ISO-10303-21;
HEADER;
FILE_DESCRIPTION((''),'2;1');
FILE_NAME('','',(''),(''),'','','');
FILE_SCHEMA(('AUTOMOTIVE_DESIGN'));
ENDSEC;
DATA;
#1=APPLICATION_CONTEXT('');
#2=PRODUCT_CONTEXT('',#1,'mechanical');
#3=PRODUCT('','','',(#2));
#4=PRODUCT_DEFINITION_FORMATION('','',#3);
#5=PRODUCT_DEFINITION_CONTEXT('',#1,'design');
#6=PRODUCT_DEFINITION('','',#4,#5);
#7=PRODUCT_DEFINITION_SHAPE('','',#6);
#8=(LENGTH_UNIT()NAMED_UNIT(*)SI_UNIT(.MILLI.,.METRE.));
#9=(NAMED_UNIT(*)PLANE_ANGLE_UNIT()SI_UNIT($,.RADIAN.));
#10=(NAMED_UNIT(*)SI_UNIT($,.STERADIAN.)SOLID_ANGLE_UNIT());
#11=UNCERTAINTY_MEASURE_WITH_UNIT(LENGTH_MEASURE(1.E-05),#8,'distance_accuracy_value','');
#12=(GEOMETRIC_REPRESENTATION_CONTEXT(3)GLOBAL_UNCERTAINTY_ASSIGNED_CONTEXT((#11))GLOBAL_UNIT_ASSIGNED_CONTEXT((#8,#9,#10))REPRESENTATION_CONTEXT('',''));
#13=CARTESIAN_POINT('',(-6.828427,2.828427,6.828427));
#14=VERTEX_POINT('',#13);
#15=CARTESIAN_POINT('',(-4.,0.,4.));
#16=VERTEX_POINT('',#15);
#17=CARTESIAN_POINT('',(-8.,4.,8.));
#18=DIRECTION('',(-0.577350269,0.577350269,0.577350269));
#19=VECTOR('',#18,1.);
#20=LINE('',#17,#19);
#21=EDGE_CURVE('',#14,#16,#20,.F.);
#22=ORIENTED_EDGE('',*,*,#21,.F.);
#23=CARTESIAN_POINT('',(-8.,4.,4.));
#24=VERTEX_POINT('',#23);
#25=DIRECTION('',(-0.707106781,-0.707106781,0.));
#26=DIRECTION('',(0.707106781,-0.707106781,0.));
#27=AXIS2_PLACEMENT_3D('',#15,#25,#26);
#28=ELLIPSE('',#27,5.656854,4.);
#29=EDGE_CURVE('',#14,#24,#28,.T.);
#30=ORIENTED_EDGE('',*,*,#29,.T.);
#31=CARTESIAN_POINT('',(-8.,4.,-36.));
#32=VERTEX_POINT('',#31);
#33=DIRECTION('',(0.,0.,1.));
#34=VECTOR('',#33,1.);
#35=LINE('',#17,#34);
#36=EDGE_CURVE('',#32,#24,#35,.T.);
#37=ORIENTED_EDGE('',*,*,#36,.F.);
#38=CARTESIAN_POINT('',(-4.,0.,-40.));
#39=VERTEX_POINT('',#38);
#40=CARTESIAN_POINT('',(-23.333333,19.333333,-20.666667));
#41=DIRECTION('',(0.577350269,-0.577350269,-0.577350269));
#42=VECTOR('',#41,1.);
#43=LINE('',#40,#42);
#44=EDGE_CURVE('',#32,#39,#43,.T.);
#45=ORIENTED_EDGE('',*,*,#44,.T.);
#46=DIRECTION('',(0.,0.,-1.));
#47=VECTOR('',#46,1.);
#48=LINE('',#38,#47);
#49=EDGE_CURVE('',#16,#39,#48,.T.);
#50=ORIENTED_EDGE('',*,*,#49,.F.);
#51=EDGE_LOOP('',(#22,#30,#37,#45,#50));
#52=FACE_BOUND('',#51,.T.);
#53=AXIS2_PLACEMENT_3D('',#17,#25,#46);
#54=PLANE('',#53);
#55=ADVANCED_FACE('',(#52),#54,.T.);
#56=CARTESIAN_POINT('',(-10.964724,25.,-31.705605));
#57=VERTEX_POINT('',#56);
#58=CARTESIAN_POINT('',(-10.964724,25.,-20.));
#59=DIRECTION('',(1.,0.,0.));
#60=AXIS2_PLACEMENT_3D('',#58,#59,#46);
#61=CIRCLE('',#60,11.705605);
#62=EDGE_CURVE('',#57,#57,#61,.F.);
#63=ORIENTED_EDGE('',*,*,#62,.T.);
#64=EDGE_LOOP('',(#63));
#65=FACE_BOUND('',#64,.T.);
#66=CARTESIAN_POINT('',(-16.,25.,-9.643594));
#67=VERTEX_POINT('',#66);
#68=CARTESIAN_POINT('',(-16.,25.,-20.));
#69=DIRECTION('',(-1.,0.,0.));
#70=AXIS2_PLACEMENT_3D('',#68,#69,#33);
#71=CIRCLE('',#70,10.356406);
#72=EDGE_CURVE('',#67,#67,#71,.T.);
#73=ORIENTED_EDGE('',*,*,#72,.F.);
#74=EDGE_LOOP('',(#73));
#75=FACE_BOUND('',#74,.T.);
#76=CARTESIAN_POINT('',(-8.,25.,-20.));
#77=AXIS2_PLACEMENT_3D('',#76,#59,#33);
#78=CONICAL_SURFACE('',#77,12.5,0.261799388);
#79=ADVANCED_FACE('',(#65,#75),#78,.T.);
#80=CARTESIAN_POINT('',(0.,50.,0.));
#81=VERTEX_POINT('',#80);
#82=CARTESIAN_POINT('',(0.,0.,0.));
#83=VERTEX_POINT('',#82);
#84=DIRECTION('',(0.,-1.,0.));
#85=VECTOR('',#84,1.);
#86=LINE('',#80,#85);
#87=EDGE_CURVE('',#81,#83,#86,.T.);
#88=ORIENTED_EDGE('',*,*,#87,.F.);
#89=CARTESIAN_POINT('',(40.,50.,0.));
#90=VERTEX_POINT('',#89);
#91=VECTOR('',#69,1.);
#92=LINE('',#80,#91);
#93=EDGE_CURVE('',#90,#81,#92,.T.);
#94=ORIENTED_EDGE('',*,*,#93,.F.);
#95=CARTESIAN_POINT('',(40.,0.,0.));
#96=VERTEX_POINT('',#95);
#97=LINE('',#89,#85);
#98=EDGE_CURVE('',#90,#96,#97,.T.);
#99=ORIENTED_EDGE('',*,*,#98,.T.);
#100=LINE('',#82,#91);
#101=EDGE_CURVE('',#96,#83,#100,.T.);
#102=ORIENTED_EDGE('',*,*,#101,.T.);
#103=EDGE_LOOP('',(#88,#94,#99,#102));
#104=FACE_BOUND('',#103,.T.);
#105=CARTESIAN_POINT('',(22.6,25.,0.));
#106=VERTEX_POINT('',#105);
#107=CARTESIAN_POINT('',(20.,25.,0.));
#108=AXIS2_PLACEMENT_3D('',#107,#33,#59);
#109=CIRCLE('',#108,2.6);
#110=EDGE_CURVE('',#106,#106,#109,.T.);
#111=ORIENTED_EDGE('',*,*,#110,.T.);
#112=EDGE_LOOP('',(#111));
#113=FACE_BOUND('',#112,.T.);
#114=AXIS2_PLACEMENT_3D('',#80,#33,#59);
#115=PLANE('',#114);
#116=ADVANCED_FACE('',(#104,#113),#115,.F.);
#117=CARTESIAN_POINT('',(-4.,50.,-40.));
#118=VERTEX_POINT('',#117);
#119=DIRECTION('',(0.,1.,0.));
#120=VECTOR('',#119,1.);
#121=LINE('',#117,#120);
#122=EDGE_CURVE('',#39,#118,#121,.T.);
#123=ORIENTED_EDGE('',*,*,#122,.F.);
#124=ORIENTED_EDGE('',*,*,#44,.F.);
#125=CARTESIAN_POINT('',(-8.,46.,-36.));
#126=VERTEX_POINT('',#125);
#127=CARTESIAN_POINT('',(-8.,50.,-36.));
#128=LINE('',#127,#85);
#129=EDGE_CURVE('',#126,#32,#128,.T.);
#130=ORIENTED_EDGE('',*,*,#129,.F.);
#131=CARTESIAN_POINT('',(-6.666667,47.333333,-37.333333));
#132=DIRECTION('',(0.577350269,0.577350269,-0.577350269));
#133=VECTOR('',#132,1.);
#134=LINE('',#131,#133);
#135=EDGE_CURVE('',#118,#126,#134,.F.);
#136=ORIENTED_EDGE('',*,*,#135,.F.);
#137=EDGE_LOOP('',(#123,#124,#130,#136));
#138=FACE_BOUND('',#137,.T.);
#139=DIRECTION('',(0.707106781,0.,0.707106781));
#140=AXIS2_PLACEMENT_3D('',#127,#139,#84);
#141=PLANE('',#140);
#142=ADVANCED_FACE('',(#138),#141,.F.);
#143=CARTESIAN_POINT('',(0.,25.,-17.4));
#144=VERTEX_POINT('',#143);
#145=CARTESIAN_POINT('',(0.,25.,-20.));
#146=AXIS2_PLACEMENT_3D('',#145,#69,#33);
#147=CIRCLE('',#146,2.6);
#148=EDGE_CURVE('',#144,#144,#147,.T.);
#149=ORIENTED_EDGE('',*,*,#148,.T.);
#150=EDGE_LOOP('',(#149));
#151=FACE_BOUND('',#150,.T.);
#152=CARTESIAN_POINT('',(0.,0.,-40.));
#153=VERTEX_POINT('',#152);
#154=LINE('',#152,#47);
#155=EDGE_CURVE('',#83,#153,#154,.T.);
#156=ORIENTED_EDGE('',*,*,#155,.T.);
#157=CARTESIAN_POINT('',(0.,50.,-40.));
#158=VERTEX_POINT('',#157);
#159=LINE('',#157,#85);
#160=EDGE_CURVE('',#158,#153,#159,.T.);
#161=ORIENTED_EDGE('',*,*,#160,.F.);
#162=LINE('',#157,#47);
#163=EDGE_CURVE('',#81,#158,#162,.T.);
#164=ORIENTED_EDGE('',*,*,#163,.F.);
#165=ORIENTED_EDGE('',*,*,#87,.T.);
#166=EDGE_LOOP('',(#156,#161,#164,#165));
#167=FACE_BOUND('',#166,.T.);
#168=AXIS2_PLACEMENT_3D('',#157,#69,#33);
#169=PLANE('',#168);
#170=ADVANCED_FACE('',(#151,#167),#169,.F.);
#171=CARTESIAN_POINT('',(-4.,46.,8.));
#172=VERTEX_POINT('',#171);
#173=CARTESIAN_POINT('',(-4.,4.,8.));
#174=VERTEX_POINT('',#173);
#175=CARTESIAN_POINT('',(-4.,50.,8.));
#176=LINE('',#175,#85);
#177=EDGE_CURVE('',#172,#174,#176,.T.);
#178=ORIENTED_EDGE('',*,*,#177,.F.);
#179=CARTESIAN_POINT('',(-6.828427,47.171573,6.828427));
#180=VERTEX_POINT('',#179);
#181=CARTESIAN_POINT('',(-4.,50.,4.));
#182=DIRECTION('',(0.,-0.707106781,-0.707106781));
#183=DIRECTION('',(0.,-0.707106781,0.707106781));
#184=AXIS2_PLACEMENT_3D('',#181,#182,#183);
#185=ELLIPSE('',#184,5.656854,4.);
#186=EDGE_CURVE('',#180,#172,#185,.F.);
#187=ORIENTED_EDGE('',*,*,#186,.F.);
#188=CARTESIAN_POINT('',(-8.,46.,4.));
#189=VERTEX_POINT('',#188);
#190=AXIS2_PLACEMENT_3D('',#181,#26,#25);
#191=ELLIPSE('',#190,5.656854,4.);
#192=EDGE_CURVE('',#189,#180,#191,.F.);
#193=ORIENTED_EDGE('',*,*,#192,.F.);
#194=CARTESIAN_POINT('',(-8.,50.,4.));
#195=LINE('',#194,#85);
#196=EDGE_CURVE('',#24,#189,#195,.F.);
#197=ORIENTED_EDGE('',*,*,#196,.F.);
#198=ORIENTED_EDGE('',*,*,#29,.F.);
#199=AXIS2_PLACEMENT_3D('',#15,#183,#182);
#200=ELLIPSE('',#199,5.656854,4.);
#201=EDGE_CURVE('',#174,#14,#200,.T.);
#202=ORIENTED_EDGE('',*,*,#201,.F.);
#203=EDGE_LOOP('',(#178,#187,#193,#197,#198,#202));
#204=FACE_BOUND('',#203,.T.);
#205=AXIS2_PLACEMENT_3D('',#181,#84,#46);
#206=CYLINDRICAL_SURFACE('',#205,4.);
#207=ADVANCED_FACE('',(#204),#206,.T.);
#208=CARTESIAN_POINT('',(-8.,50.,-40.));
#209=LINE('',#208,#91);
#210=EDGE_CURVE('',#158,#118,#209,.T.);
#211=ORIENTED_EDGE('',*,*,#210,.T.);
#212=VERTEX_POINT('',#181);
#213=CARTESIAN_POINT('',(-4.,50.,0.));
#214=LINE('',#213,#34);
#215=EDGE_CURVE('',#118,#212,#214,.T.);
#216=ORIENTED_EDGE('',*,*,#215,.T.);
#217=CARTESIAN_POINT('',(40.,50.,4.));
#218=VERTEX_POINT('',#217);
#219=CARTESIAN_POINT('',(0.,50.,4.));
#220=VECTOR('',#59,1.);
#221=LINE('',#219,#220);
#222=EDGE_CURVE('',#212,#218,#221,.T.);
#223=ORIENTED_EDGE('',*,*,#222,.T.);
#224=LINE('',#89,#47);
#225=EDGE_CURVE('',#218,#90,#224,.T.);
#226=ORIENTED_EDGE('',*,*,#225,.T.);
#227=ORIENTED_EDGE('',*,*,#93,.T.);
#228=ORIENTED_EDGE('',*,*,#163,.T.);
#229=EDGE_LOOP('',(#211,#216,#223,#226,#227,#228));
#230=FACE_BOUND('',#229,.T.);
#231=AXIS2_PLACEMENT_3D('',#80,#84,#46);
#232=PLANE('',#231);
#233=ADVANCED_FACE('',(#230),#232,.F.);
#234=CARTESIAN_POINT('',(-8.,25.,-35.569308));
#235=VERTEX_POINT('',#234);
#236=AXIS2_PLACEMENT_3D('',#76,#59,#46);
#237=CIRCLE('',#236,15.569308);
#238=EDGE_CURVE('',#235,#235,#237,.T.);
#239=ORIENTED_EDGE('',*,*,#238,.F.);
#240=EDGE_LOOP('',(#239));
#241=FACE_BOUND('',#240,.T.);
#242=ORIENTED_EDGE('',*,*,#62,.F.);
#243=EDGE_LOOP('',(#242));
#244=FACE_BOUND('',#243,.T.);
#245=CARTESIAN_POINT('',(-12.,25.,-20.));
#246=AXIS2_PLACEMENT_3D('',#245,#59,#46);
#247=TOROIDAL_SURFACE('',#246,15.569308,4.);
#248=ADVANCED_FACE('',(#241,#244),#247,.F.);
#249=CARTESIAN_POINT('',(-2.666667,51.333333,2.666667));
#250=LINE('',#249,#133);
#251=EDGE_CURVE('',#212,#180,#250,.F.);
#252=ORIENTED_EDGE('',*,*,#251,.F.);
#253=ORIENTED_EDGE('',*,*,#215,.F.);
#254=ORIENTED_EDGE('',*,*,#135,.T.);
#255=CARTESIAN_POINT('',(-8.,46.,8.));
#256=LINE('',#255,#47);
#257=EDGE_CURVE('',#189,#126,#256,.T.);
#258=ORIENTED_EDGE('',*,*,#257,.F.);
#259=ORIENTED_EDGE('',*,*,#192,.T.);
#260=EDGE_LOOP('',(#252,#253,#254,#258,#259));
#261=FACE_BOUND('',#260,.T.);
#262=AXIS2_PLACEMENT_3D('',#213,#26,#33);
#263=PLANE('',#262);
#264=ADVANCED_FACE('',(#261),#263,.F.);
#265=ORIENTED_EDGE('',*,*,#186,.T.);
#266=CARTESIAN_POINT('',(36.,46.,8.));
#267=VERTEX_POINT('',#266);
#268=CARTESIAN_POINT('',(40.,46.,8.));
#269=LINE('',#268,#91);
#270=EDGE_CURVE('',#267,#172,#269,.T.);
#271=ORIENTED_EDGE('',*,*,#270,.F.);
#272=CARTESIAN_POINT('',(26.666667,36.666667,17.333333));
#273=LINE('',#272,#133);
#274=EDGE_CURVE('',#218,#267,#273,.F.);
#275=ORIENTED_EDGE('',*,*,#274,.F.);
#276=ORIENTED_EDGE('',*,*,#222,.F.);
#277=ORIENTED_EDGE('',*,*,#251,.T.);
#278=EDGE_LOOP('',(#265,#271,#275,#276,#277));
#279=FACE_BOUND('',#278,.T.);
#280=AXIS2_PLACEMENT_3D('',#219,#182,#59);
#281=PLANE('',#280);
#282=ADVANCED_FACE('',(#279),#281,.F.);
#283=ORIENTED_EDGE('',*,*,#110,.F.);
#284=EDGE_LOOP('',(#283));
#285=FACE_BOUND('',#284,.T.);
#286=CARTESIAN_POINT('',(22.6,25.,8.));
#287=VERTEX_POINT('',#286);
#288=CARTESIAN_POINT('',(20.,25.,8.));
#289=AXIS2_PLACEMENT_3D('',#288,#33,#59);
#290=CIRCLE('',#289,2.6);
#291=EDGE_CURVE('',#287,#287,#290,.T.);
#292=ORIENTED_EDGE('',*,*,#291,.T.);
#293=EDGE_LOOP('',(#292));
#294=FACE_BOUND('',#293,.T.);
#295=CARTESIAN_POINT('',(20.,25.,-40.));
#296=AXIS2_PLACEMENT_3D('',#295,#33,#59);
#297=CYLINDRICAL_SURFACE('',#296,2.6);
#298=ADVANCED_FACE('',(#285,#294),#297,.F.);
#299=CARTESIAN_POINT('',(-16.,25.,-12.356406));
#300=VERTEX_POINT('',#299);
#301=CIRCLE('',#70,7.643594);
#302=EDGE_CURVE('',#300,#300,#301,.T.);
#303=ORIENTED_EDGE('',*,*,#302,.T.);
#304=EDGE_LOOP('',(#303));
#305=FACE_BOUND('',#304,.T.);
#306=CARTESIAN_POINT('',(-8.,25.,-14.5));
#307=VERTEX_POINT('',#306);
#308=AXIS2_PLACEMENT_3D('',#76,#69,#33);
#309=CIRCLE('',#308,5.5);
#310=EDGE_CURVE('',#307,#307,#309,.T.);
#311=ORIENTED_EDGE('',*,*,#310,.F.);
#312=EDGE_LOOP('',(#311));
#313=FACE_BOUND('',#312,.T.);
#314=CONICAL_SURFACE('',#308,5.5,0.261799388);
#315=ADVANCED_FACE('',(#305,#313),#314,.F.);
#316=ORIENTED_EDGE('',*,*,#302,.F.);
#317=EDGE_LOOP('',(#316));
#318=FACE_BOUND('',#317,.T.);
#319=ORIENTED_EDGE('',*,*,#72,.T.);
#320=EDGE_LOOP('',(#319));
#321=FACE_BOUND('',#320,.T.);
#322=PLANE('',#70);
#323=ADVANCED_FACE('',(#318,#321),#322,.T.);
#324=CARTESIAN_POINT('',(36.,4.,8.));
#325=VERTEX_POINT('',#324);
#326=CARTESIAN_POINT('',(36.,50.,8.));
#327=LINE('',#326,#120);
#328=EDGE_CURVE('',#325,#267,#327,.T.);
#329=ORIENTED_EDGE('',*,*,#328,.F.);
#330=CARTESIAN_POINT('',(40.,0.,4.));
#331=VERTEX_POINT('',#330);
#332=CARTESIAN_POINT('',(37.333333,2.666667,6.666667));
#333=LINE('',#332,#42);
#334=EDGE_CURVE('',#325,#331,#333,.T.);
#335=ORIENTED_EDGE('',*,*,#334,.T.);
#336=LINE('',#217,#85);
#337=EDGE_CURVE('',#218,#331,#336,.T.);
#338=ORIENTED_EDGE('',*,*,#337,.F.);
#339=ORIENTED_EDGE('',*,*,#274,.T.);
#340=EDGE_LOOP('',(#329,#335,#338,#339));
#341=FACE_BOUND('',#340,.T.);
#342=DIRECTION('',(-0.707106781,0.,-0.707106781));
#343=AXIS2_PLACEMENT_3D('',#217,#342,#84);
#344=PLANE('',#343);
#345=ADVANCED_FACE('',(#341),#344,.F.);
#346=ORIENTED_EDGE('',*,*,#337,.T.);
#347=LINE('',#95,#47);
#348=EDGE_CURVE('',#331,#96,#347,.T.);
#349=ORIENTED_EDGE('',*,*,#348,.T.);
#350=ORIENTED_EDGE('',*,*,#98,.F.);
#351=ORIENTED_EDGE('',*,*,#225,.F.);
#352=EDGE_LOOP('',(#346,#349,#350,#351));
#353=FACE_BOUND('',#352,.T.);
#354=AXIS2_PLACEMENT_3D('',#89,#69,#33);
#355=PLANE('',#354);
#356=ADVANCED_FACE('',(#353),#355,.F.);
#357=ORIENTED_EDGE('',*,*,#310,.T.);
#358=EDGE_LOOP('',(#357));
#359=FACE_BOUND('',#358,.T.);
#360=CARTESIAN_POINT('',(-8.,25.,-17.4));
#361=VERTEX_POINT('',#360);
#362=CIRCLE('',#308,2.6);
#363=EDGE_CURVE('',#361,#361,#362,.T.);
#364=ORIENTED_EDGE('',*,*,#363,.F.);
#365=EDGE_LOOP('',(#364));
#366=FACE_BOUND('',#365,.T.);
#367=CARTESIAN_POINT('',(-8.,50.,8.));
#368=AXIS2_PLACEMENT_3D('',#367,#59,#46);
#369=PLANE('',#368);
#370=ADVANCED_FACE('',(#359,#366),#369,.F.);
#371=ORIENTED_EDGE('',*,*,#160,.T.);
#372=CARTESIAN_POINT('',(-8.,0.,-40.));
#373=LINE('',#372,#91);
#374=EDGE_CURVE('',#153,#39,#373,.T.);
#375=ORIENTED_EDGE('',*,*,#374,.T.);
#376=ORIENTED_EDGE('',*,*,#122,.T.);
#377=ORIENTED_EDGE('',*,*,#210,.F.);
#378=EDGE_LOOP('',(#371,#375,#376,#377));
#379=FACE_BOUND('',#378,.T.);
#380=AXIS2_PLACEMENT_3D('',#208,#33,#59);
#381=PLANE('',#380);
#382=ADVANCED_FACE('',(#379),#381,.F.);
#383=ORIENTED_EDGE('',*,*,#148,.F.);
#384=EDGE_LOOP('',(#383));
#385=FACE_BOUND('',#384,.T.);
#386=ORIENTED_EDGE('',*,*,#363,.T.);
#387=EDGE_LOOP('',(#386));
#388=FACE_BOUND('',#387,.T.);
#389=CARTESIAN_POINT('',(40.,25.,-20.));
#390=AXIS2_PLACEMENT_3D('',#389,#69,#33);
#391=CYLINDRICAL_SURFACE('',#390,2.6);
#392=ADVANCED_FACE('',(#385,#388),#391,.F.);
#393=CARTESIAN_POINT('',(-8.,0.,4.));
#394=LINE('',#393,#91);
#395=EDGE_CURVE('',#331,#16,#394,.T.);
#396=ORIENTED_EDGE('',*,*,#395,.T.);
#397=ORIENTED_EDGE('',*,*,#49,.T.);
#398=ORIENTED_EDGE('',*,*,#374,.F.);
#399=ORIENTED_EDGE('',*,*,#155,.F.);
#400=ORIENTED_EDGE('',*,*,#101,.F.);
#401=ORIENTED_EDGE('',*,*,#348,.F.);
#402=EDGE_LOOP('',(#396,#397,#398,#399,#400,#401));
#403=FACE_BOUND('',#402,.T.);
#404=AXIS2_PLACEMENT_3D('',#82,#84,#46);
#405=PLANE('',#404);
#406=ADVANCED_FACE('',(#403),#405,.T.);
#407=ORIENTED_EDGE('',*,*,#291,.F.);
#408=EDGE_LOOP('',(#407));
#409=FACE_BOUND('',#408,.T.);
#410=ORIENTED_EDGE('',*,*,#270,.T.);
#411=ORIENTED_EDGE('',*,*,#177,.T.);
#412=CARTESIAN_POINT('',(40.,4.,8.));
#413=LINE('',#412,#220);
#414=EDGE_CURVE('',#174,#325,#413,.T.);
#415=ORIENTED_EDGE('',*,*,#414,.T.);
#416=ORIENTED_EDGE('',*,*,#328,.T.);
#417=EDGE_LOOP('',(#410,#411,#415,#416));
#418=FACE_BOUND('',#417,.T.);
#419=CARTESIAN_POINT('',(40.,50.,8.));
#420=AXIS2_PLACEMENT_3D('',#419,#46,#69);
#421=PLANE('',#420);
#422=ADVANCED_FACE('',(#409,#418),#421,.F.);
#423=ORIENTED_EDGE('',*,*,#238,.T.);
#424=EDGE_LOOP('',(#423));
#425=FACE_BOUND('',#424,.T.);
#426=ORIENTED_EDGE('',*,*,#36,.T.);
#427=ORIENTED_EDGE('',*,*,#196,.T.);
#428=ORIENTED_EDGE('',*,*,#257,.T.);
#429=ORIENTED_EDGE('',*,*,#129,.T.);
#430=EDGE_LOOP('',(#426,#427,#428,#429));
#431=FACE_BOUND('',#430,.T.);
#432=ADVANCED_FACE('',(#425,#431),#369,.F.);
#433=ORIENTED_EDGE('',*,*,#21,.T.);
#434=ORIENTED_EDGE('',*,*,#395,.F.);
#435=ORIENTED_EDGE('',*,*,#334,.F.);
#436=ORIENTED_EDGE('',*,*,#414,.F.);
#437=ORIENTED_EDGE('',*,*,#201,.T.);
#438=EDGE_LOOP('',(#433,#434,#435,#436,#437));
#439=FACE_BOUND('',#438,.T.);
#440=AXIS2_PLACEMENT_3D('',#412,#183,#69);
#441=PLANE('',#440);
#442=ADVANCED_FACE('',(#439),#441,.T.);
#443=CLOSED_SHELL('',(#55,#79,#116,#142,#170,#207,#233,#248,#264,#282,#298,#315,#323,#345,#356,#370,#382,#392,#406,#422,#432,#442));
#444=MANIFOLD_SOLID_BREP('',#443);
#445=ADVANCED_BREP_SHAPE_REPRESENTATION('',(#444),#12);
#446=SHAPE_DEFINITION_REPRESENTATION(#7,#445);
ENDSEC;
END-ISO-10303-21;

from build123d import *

# Parameters (mm, degrees)
BOSS_EXTRUDE1_DEPTH = 50
SKETCH2_R           = 2.6
CUT_EXTRUDE1_DEPTH  = 81.024996095
SKETCH3_R           = 2.6
CUT_EXTRUDE2_DEPTH  = 81.024996095
SKETCH4_R           = 12.5
SKETCH4_R_2         = 5.5
BOSS_EXTRUDE2_DEPTH = 8
BOSS_EXTRUDE2_DRAFT = 15
FILLET1_R           = 4
CHAMFER1_SIZE       = 4
FILLET2_R           = 4


with BuildPart() as part:
    # Sketch1 → Boss-Extrude1 (new body)
    with BuildSketch(Plane(origin=(0, 0, 0), x_dir=(1, 0, 0), z_dir=(0, 1, 0))):
        Polygon((-8, 40), (0, 40), (0, 0), (40, 0), (40, -8), (-8, -8), align=None)
    extrude(amount=BOSS_EXTRUDE1_DEPTH)

    # Sketch2 → Cut-Extrude1 (cut, through all)
    with BuildSketch(Plane.ZY.offset(8)):
        with Locations((-20, 25)):
            Circle(SKETCH2_R)
    extrude(amount=-CUT_EXTRUDE1_DEPTH, mode=Mode.SUBTRACT)

    # Sketch3 → Cut-Extrude2 (cut, through all)
    with BuildSketch(Plane.XY.offset(8)):
        with Locations((20, 25)):
            Circle(SKETCH3_R)
    extrude(amount=-CUT_EXTRUDE2_DEPTH, mode=Mode.SUBTRACT)


with BuildPart() as boss_extrude2_tool:
    # Sketch4 → Boss-Extrude2 (with draft: the straight prism first)
    with BuildSketch(Plane.ZY.offset(8)):
        with Locations((-20, 25)):
            Circle(SKETCH4_R)
        with Locations((-20, 25)):
            Circle(SKETCH4_R_2, mode=Mode.SUBTRACT)
    extrude(amount=BOSS_EXTRUDE2_DEPTH)
    # Boss-Extrude2: the draft: its side faces are tilted about the plane it starts from
    boss_extrude2_sides = [boss_extrude2_tool.faces().sort_by_distance(p)[0] for p in [
        (-12, 25, -32.5),
        (-12, 25, -25.5),
    ]]
    draft(boss_extrude2_sides, Plane.ZY.offset(8), BOSS_EXTRUDE2_DRAFT)


with BuildPart() as part_1:
    add(part.part)

    # Boss-Extrude2: add boss_extrude2_tool
    add(boss_extrude2_tool.part)

    # Fillet1
    fillet1_edges = [part_1.edges().sort_by_distance(p)[0] for p in [
        (-8, 25, -32.5),
    ]]
    fillet(fillet1_edges, radius=FILLET1_R)

    # Chamfer1
    chamfer1_edges = [part_1.edges().sort_by_distance(p)[0] for p in [
        (-8, 25, -40),
        (40, 25, 8),
        (-8, 50, -16),
        (16, 0, 8),
        (-8, 0, -16),
        (16, 50, 8),
    ]]
    chamfer(chamfer1_edges, length=CHAMFER1_SIZE)

    # Fillet2
    fillet2_edges = [part_1.edges().sort_by_distance(p)[0] for p in [
        (-8, 25, 8),
    ]]
    fillet(fillet2_edges, radius=FILLET2_R)


solid = part_1.part
